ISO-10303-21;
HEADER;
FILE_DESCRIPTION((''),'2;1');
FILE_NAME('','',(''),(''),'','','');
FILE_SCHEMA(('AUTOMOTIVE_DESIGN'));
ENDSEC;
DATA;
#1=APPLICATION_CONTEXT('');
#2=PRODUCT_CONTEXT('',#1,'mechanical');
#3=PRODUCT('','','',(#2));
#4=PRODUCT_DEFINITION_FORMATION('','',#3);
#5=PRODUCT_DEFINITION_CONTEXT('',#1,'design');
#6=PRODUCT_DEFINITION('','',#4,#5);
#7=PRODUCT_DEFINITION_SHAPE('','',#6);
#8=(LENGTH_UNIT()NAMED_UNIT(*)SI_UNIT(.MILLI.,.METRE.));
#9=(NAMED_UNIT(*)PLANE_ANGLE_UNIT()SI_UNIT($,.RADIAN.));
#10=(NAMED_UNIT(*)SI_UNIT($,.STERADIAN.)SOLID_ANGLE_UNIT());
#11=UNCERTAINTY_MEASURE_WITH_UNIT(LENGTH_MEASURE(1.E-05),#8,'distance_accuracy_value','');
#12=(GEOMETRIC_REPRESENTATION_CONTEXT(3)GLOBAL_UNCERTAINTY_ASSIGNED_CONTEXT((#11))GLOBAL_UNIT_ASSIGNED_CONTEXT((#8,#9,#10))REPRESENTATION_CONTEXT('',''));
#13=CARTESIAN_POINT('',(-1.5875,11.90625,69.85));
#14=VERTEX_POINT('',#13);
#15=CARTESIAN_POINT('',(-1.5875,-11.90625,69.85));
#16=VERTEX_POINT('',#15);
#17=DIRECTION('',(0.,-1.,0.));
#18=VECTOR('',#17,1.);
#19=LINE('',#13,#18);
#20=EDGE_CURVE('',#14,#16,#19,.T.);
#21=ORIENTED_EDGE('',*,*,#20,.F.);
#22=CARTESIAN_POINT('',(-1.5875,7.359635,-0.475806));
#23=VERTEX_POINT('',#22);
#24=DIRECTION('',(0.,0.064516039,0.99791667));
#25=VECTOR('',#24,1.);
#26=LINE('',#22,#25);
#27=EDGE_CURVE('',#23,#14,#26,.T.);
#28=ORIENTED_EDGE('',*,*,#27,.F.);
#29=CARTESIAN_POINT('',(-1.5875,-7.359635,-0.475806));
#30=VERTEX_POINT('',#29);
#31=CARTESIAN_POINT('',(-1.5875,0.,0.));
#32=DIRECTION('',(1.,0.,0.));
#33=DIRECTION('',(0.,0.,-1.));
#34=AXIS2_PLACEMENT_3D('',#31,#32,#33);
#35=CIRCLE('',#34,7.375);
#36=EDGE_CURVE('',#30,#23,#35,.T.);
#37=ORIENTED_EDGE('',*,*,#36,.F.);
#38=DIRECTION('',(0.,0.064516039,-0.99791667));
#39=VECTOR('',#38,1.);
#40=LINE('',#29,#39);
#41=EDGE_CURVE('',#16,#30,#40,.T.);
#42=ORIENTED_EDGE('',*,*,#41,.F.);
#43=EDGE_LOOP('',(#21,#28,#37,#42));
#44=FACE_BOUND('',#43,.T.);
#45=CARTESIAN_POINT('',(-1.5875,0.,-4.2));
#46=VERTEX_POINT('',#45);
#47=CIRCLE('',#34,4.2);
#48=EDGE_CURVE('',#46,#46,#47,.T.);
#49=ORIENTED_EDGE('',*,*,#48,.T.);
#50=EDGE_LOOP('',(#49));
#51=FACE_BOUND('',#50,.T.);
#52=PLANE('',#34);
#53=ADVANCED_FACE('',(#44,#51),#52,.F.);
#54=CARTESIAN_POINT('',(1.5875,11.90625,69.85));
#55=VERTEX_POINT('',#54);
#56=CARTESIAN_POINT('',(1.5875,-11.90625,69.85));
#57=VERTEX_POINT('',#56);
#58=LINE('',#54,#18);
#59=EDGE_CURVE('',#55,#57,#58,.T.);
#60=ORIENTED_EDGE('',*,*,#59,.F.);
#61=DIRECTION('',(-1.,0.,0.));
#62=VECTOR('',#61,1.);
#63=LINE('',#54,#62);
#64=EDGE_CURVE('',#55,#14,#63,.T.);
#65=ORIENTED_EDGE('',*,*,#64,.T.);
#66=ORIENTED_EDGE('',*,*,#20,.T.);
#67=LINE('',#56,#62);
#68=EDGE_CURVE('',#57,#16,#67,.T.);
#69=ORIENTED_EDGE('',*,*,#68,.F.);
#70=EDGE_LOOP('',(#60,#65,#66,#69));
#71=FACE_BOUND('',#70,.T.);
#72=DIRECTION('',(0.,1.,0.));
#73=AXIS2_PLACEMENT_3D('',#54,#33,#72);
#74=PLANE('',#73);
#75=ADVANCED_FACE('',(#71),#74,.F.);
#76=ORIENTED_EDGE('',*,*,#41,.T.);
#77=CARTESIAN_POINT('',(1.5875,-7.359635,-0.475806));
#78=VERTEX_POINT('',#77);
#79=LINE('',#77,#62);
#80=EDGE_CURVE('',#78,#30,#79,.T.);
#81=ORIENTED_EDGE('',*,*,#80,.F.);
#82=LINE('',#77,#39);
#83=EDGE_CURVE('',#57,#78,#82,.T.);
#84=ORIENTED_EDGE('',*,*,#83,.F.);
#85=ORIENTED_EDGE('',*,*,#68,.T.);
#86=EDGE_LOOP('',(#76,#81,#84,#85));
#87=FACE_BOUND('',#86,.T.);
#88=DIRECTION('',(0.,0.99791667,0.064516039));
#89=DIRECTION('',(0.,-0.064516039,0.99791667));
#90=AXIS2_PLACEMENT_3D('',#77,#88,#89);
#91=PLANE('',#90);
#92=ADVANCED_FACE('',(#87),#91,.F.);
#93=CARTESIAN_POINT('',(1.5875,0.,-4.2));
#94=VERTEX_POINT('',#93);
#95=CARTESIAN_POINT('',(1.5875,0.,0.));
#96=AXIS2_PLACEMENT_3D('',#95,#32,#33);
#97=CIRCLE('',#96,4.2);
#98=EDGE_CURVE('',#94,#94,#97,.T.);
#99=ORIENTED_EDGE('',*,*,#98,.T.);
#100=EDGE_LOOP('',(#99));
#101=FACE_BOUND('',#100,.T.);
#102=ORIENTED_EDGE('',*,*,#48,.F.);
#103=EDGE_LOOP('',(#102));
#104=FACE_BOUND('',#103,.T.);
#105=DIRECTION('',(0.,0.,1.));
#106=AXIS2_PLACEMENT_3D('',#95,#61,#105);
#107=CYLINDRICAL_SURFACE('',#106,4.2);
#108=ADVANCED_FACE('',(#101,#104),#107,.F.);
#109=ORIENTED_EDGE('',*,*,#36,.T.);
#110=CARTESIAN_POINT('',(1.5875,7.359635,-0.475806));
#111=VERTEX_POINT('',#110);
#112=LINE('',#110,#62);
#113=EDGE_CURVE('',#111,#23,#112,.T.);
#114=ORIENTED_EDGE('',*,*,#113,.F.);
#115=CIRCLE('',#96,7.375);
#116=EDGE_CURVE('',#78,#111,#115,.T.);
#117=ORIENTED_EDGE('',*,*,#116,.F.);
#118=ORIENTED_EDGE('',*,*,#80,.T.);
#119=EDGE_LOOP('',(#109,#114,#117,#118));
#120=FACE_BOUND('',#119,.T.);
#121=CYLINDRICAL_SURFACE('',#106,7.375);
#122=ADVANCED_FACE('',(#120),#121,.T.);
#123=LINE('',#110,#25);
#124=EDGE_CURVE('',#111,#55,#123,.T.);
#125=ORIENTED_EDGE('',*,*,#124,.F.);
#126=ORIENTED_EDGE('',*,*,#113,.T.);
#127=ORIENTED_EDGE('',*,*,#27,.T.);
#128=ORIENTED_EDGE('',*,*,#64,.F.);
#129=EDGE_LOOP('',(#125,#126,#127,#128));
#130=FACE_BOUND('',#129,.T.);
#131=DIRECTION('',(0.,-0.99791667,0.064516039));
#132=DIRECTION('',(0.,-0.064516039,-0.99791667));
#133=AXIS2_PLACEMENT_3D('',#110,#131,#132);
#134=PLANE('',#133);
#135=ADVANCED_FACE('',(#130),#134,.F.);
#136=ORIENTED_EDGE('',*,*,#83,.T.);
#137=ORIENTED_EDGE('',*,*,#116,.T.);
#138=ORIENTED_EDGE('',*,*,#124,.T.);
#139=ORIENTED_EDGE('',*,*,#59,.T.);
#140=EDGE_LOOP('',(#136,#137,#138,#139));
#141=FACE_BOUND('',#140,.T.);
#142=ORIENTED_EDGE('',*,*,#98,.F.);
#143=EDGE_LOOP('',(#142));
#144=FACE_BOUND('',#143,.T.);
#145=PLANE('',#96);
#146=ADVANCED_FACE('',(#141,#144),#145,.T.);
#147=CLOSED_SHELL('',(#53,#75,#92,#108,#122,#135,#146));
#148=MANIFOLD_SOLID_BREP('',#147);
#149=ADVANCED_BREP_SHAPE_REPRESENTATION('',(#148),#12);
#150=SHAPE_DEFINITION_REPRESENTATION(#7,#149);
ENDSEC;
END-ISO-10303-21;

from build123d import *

# Parameters (mm, degrees)
SKETCH1_R           = 4.2
BOSS_EXTRUDE1_DEPTH = 1.5875


with BuildPart() as part:
    # Sketch1 → Boss-Extrude1 (new, symmetric)
    with BuildSketch(Plane(origin=(0, 0, 0), x_dir=(0, 0, -1), z_dir=(1, 0, 0))):
        with BuildLine():
            Line((-69.85, 11.90625), (-69.85, -11.90625))
            Line((-69.85, -11.90625), (0.475805791, -7.359635443))
            ThreePointArc((0.475805791, -7.359635443), (7.375, 0), (0.475805791, 7.359635443))
            Line((0.475805791, 7.359635443), (-69.85, 11.90625))
        make_face()
        Circle(SKETCH1_R, mode=Mode.SUBTRACT)
    extrude(amount=BOSS_EXTRUDE1_DEPTH, both=True)


solid = part.part
